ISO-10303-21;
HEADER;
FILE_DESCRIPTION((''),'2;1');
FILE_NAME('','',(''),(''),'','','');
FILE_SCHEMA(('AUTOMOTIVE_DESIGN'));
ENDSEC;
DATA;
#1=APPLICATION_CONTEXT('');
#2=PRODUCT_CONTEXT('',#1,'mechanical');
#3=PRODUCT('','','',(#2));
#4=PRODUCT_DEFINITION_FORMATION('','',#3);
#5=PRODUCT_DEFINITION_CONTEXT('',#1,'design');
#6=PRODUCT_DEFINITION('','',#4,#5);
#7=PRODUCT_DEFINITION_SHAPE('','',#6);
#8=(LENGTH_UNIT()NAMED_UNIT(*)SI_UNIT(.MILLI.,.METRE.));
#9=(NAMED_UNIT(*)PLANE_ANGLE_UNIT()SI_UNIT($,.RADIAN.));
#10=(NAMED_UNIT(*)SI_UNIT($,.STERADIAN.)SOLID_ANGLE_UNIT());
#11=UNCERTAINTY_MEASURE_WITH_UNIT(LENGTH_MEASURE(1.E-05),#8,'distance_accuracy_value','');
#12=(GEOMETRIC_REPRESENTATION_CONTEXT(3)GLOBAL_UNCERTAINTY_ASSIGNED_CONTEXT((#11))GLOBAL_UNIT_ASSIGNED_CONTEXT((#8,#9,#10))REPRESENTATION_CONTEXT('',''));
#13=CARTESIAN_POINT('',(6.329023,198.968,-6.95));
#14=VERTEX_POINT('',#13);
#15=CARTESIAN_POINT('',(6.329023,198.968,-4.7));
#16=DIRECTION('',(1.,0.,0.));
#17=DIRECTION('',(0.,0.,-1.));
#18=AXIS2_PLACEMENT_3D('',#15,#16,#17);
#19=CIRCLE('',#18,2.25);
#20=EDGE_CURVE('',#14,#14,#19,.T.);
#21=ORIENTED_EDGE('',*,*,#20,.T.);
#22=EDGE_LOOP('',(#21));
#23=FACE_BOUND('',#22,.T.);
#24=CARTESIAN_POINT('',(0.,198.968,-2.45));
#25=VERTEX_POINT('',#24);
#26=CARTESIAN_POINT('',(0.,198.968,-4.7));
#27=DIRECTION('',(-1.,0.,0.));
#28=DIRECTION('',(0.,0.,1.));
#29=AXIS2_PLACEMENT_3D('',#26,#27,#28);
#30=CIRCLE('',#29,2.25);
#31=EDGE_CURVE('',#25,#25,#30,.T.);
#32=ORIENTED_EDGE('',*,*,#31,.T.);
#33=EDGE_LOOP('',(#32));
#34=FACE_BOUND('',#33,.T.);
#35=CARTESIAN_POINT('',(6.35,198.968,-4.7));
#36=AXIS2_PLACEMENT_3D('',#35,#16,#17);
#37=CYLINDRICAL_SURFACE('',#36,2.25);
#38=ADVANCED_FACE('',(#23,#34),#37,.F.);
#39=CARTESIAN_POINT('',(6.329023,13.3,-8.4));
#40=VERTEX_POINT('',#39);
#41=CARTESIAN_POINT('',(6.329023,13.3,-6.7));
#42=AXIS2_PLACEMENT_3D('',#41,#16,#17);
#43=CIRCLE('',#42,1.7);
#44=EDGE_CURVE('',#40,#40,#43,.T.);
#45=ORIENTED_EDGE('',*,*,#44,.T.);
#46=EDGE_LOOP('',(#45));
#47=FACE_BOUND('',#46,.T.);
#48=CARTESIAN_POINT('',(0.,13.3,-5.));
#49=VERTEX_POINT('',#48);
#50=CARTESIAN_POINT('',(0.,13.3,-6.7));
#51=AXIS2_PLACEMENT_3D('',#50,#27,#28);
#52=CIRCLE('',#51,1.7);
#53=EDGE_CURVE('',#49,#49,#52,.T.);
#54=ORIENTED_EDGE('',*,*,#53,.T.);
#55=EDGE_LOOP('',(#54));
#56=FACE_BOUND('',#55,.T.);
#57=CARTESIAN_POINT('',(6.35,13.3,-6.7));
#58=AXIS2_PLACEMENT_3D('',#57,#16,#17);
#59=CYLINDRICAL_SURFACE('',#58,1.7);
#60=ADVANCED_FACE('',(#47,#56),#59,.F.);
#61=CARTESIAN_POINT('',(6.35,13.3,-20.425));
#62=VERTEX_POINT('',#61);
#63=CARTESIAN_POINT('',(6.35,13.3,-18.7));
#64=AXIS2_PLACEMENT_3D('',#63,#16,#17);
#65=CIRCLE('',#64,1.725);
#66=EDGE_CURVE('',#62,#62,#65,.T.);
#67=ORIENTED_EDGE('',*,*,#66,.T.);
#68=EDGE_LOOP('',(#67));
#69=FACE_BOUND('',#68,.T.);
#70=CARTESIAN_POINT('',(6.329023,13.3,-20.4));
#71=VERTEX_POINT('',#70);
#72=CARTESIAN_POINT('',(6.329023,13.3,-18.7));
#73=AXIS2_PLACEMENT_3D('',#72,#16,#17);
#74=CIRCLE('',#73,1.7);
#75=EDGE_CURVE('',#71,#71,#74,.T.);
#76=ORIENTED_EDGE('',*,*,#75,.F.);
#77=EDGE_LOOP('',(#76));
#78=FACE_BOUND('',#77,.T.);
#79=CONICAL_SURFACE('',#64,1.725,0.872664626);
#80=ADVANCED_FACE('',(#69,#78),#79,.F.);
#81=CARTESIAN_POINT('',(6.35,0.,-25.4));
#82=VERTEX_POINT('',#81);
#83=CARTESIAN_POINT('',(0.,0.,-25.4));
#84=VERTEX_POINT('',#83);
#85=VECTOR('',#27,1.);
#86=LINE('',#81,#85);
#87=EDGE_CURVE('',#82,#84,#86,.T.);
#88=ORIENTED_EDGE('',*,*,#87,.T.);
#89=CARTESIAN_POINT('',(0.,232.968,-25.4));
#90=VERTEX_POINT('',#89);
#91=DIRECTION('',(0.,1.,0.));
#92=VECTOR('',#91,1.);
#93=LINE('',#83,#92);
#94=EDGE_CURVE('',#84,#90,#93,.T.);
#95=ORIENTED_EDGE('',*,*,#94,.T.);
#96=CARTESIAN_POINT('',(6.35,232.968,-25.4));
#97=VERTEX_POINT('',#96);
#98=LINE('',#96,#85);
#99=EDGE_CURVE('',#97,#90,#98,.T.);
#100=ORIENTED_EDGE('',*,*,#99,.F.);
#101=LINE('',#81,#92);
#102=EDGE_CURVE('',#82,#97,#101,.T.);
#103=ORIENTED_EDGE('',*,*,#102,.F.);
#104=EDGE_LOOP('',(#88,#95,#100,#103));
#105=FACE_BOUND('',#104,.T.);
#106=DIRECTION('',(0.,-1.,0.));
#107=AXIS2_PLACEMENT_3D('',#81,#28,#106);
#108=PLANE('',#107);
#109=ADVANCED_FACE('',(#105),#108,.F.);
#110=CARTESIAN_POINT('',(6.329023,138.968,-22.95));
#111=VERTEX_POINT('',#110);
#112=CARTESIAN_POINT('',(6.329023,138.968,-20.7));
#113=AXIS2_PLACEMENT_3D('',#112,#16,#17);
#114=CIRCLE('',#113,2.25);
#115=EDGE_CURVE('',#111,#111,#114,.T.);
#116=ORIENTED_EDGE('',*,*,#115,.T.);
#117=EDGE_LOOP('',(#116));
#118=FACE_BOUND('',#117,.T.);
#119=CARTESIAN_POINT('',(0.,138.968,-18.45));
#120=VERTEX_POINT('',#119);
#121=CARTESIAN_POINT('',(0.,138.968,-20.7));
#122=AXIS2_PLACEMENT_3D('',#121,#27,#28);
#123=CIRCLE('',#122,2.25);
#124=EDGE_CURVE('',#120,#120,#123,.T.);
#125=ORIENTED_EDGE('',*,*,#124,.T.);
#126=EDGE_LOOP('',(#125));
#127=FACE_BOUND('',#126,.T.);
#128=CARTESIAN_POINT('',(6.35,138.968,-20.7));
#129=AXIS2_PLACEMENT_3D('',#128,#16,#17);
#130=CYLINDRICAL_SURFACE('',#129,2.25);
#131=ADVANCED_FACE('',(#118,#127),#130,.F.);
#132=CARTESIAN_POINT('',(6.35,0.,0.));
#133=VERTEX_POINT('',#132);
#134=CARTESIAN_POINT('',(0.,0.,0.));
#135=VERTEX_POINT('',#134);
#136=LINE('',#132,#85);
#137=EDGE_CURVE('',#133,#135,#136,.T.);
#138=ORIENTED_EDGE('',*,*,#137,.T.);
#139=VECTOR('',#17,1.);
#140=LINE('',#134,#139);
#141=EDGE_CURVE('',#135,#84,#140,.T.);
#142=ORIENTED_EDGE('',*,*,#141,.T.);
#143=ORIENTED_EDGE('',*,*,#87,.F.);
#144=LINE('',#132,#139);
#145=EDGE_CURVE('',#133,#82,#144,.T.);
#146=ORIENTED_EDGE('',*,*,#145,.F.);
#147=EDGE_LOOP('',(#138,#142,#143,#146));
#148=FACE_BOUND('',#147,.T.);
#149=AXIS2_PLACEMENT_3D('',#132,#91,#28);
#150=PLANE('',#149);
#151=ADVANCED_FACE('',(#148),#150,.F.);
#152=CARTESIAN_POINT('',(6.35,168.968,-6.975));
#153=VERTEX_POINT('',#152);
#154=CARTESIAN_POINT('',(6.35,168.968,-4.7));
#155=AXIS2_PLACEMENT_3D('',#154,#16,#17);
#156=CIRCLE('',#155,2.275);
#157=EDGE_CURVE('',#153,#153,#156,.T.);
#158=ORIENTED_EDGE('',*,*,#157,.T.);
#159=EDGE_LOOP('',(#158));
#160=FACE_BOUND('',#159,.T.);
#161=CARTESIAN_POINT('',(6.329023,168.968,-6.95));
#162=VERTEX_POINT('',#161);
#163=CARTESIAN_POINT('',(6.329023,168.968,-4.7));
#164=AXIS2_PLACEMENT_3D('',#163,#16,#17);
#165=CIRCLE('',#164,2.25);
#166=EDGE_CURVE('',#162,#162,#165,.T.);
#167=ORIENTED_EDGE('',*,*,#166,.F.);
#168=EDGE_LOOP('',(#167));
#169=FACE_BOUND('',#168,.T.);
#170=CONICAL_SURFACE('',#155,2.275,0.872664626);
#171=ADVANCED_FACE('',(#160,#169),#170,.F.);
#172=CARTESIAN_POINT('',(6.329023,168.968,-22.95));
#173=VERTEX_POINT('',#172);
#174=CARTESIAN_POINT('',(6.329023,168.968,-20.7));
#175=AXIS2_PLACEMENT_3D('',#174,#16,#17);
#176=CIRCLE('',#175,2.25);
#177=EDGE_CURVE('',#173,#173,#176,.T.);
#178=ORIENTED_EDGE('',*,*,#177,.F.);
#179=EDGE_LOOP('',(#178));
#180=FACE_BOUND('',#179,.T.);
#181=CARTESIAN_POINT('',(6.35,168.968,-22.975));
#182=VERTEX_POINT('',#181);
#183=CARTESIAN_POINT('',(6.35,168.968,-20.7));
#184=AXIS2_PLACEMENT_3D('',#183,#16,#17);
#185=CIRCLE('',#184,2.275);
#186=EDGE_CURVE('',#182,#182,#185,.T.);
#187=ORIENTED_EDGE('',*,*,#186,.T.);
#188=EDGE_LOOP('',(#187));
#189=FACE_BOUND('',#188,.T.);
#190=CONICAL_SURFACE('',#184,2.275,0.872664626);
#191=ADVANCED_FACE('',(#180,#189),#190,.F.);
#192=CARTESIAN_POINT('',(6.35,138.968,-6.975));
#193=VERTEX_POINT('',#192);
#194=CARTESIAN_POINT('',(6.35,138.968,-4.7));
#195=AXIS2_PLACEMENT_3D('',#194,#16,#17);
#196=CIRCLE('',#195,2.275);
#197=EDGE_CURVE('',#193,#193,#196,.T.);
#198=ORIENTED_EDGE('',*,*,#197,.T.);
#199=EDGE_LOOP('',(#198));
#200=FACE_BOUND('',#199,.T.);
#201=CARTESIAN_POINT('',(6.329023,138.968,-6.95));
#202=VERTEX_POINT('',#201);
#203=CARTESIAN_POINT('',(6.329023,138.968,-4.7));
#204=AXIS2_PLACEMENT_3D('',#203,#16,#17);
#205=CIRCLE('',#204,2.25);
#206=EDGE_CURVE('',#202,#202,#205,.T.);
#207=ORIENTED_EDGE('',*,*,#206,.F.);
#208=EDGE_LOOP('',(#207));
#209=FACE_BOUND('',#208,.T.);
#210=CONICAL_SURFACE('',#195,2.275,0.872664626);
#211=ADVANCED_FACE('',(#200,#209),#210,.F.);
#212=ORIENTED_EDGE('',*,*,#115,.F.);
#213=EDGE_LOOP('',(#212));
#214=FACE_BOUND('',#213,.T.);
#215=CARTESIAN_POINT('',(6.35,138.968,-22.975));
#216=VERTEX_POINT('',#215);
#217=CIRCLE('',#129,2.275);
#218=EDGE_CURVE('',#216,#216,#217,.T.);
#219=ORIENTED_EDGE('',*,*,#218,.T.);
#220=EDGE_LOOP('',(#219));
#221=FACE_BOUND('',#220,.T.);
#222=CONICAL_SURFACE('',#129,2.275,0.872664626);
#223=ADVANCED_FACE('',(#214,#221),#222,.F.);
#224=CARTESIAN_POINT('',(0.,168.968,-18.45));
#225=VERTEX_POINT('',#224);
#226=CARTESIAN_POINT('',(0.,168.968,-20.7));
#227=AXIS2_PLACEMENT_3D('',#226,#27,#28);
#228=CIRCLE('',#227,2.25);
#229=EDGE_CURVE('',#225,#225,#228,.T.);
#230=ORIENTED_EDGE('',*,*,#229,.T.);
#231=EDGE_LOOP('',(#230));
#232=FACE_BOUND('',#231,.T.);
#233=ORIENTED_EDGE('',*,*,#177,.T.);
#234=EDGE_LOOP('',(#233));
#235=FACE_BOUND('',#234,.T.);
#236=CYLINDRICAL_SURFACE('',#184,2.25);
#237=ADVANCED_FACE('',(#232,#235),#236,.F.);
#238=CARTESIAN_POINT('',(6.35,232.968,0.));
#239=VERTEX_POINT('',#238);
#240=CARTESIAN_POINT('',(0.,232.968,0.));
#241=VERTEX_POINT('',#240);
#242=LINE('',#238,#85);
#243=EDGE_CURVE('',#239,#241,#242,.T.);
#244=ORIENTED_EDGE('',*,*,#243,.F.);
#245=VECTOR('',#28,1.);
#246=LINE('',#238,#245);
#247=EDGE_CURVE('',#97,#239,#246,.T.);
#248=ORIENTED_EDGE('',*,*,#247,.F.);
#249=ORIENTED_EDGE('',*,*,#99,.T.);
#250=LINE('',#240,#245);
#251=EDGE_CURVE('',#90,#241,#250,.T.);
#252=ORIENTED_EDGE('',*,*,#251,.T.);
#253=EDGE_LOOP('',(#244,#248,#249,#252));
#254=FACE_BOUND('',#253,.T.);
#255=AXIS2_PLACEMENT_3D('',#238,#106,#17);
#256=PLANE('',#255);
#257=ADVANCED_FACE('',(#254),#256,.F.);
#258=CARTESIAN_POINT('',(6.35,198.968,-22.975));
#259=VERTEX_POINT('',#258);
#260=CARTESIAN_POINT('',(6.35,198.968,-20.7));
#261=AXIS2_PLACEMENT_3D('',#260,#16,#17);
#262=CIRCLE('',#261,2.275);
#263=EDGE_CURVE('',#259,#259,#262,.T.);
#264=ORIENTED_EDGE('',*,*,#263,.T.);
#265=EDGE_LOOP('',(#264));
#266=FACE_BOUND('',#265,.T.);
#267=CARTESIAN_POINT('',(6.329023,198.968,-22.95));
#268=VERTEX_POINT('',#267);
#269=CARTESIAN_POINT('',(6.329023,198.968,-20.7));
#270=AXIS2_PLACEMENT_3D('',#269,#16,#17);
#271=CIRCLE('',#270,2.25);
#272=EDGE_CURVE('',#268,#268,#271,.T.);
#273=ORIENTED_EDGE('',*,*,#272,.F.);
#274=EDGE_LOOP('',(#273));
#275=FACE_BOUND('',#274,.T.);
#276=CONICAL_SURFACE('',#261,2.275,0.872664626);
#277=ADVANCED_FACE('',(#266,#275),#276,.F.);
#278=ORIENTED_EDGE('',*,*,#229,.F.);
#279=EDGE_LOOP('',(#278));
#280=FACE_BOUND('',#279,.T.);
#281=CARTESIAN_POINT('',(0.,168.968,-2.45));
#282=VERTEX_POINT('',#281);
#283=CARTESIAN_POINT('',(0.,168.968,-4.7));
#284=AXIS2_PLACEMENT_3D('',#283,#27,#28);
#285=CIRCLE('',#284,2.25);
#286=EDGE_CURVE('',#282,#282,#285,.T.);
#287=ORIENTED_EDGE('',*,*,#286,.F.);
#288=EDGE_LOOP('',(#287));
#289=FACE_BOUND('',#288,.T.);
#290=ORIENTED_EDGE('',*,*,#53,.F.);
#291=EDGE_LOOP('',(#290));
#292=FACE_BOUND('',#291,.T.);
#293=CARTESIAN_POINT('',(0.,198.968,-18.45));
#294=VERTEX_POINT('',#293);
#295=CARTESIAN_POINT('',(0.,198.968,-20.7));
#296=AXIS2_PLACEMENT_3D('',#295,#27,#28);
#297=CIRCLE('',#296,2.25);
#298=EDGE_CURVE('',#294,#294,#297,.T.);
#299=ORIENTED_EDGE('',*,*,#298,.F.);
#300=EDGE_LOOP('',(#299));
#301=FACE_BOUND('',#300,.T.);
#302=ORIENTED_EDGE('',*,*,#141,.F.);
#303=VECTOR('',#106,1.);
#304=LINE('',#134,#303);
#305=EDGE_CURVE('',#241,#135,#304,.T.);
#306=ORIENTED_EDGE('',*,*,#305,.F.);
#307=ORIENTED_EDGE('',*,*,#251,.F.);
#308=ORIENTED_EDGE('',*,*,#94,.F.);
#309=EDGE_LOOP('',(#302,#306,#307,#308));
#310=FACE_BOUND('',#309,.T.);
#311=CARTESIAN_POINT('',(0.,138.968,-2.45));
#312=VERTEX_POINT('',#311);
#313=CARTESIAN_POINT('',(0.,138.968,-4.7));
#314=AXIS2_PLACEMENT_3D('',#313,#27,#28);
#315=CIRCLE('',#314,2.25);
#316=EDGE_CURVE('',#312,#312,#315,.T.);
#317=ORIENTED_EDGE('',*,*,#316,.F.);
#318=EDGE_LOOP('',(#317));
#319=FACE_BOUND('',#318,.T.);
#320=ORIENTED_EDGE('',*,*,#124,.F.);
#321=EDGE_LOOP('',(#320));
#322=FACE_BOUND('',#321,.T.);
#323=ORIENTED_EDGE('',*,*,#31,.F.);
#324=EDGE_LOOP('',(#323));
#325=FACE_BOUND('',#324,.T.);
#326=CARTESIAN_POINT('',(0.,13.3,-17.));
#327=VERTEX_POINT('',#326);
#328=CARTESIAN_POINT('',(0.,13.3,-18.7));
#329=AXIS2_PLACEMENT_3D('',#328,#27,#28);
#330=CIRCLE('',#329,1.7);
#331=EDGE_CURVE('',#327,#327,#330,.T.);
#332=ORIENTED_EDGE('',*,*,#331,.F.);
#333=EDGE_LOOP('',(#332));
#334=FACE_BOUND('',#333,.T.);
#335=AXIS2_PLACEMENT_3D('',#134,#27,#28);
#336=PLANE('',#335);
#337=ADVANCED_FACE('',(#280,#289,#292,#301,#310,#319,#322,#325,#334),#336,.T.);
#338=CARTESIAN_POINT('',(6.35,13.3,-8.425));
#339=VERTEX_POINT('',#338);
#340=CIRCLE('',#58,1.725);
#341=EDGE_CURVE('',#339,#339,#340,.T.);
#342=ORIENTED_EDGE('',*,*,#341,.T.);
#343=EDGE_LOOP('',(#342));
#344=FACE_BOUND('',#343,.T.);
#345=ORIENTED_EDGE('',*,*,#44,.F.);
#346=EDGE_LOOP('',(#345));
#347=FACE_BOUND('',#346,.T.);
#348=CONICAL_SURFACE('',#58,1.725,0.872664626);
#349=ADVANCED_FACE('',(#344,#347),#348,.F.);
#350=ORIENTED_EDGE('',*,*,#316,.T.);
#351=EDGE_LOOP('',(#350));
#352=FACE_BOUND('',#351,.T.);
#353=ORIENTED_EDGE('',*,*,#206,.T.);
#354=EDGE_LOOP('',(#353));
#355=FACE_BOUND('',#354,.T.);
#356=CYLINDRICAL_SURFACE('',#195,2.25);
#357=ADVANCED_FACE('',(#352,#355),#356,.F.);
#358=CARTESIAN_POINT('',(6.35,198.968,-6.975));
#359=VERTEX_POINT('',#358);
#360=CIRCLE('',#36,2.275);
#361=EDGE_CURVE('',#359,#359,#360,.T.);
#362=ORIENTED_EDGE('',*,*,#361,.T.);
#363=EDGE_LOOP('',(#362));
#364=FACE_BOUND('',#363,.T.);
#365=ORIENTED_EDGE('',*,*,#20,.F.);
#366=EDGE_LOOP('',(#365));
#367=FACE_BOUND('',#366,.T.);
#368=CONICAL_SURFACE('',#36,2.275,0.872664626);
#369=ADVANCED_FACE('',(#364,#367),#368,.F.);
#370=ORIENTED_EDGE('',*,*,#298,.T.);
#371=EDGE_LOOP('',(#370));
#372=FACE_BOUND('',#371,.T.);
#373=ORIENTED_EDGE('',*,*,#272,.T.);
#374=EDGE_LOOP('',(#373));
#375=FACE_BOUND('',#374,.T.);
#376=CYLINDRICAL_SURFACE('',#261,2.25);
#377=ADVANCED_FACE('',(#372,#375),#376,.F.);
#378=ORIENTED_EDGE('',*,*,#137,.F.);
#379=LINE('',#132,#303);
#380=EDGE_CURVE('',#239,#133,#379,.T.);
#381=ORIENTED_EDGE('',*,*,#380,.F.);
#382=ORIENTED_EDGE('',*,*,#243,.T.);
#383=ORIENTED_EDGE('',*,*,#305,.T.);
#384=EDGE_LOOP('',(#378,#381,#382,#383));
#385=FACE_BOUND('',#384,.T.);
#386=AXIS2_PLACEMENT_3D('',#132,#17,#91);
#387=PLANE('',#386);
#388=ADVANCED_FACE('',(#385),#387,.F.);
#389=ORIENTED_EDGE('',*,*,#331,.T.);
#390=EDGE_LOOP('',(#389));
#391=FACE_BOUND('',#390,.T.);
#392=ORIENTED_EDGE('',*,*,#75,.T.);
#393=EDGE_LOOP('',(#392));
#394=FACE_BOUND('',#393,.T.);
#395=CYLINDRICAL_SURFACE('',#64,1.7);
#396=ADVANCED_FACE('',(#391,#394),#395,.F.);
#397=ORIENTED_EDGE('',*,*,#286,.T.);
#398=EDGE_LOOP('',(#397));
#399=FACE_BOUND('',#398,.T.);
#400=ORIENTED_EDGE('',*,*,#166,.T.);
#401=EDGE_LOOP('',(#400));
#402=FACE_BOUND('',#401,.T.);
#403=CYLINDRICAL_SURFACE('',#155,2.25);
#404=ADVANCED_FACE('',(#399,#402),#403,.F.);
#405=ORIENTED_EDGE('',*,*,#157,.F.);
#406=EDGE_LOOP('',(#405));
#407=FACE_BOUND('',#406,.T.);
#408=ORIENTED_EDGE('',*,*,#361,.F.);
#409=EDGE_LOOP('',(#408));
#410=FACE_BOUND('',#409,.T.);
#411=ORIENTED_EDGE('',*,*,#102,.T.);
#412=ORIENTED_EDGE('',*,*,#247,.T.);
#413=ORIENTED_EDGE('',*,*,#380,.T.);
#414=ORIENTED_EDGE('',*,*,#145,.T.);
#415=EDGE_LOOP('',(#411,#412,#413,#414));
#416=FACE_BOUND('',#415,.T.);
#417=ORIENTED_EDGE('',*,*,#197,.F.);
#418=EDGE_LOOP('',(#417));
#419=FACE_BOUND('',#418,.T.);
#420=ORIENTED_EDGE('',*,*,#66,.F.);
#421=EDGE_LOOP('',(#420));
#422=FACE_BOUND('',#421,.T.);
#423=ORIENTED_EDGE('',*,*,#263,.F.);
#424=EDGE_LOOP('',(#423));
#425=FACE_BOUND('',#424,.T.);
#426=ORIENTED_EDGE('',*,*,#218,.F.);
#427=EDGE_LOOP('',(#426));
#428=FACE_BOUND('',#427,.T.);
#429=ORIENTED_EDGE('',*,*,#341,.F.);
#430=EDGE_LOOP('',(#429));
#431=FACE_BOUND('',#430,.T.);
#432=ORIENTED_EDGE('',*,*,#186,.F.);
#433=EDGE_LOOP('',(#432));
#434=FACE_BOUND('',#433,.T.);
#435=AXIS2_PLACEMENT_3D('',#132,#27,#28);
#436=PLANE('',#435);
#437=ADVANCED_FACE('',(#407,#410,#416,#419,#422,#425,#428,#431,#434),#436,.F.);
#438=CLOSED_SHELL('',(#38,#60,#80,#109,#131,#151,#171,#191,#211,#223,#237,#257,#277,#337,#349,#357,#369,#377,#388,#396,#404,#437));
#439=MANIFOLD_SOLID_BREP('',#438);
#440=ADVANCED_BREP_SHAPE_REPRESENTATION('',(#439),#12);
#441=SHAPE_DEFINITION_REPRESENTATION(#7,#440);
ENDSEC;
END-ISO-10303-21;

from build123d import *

# Parameters (mm, degrees)
SKETCH1_W                      = 25.4
SKETCH1_H                      = 232.968
BOSS_EXTRUDE1_DEPTH            = 6.35
M3_CLEARANCE_HOLE1_D           = 3.4
M3_CLEARANCE_HOLE1_DEPTH       = 7.493
M3_CLEARANCE_HOLE1_CSINK_D     = 3.45
M3_CLEARANCE_HOLE1_CSINK_ANGLE = 100
M3_CLEARANCE_HOLE1_TIP         = 1.021463052
M4_CLEARANCE_HOLE1_D           = 4.5
M4_CLEARANCE_HOLE1_DEPTH       = 10.1000052
M4_CLEARANCE_HOLE1_CSINK_D     = 4.55
M4_CLEARANCE_HOLE1_CSINK_ANGLE = 100
M4_CLEARANCE_HOLE1_TIP         = 1.351936393


with BuildPart() as part:
    # Sketch1 → Boss-Extrude1 (new body)
    with BuildSketch(Plane(origin=(0, 0, 0), x_dir=(0, 0, -1), z_dir=(1, 0, 0))):
        with Locations((12.7, 116.484)):
            Rectangle(SKETCH1_W, SKETCH1_H)
    extrude(amount=BOSS_EXTRUDE1_DEPTH)

    # M3 Clearance Hole1
    with Locations(Plane(origin=(6.35, 0, 0), x_dir=(0, 0, -1), z_dir=(1, 0, 0))):
        with Locations((6.7, 13.3), (18.7, 13.3)):
            CounterSinkHole(M3_CLEARANCE_HOLE1_D / 2, M3_CLEARANCE_HOLE1_CSINK_D / 2, depth=M3_CLEARANCE_HOLE1_DEPTH, counter_sink_angle=M3_CLEARANCE_HOLE1_CSINK_ANGLE)
            with Locations((0, 0, -(M3_CLEARANCE_HOLE1_DEPTH + M3_CLEARANCE_HOLE1_TIP / 2))):  # 118° drill point
                Cone(0, M3_CLEARANCE_HOLE1_D / 2, M3_CLEARANCE_HOLE1_TIP, mode=Mode.SUBTRACT)

    # M4 Clearance Hole1
    with Locations(Plane(origin=(6.35, 0, 0), x_dir=(0, 0, -1), z_dir=(1, 0, 0))):
        with Locations((4.7, 198.968), (4.7, 168.968), (4.7, 138.968), (20.7, 138.968), (20.7, 168.968), (20.7, 198.968)):
            CounterSinkHole(M4_CLEARANCE_HOLE1_D / 2, M4_CLEARANCE_HOLE1_CSINK_D / 2, depth=M4_CLEARANCE_HOLE1_DEPTH, counter_sink_angle=M4_CLEARANCE_HOLE1_CSINK_ANGLE)
            with Locations((0, 0, -(M4_CLEARANCE_HOLE1_DEPTH + M4_CLEARANCE_HOLE1_TIP / 2))):  # 118° drill point
                Cone(0, M4_CLEARANCE_HOLE1_D / 2, M4_CLEARANCE_HOLE1_TIP, mode=Mode.SUBTRACT)


solid = part.part
